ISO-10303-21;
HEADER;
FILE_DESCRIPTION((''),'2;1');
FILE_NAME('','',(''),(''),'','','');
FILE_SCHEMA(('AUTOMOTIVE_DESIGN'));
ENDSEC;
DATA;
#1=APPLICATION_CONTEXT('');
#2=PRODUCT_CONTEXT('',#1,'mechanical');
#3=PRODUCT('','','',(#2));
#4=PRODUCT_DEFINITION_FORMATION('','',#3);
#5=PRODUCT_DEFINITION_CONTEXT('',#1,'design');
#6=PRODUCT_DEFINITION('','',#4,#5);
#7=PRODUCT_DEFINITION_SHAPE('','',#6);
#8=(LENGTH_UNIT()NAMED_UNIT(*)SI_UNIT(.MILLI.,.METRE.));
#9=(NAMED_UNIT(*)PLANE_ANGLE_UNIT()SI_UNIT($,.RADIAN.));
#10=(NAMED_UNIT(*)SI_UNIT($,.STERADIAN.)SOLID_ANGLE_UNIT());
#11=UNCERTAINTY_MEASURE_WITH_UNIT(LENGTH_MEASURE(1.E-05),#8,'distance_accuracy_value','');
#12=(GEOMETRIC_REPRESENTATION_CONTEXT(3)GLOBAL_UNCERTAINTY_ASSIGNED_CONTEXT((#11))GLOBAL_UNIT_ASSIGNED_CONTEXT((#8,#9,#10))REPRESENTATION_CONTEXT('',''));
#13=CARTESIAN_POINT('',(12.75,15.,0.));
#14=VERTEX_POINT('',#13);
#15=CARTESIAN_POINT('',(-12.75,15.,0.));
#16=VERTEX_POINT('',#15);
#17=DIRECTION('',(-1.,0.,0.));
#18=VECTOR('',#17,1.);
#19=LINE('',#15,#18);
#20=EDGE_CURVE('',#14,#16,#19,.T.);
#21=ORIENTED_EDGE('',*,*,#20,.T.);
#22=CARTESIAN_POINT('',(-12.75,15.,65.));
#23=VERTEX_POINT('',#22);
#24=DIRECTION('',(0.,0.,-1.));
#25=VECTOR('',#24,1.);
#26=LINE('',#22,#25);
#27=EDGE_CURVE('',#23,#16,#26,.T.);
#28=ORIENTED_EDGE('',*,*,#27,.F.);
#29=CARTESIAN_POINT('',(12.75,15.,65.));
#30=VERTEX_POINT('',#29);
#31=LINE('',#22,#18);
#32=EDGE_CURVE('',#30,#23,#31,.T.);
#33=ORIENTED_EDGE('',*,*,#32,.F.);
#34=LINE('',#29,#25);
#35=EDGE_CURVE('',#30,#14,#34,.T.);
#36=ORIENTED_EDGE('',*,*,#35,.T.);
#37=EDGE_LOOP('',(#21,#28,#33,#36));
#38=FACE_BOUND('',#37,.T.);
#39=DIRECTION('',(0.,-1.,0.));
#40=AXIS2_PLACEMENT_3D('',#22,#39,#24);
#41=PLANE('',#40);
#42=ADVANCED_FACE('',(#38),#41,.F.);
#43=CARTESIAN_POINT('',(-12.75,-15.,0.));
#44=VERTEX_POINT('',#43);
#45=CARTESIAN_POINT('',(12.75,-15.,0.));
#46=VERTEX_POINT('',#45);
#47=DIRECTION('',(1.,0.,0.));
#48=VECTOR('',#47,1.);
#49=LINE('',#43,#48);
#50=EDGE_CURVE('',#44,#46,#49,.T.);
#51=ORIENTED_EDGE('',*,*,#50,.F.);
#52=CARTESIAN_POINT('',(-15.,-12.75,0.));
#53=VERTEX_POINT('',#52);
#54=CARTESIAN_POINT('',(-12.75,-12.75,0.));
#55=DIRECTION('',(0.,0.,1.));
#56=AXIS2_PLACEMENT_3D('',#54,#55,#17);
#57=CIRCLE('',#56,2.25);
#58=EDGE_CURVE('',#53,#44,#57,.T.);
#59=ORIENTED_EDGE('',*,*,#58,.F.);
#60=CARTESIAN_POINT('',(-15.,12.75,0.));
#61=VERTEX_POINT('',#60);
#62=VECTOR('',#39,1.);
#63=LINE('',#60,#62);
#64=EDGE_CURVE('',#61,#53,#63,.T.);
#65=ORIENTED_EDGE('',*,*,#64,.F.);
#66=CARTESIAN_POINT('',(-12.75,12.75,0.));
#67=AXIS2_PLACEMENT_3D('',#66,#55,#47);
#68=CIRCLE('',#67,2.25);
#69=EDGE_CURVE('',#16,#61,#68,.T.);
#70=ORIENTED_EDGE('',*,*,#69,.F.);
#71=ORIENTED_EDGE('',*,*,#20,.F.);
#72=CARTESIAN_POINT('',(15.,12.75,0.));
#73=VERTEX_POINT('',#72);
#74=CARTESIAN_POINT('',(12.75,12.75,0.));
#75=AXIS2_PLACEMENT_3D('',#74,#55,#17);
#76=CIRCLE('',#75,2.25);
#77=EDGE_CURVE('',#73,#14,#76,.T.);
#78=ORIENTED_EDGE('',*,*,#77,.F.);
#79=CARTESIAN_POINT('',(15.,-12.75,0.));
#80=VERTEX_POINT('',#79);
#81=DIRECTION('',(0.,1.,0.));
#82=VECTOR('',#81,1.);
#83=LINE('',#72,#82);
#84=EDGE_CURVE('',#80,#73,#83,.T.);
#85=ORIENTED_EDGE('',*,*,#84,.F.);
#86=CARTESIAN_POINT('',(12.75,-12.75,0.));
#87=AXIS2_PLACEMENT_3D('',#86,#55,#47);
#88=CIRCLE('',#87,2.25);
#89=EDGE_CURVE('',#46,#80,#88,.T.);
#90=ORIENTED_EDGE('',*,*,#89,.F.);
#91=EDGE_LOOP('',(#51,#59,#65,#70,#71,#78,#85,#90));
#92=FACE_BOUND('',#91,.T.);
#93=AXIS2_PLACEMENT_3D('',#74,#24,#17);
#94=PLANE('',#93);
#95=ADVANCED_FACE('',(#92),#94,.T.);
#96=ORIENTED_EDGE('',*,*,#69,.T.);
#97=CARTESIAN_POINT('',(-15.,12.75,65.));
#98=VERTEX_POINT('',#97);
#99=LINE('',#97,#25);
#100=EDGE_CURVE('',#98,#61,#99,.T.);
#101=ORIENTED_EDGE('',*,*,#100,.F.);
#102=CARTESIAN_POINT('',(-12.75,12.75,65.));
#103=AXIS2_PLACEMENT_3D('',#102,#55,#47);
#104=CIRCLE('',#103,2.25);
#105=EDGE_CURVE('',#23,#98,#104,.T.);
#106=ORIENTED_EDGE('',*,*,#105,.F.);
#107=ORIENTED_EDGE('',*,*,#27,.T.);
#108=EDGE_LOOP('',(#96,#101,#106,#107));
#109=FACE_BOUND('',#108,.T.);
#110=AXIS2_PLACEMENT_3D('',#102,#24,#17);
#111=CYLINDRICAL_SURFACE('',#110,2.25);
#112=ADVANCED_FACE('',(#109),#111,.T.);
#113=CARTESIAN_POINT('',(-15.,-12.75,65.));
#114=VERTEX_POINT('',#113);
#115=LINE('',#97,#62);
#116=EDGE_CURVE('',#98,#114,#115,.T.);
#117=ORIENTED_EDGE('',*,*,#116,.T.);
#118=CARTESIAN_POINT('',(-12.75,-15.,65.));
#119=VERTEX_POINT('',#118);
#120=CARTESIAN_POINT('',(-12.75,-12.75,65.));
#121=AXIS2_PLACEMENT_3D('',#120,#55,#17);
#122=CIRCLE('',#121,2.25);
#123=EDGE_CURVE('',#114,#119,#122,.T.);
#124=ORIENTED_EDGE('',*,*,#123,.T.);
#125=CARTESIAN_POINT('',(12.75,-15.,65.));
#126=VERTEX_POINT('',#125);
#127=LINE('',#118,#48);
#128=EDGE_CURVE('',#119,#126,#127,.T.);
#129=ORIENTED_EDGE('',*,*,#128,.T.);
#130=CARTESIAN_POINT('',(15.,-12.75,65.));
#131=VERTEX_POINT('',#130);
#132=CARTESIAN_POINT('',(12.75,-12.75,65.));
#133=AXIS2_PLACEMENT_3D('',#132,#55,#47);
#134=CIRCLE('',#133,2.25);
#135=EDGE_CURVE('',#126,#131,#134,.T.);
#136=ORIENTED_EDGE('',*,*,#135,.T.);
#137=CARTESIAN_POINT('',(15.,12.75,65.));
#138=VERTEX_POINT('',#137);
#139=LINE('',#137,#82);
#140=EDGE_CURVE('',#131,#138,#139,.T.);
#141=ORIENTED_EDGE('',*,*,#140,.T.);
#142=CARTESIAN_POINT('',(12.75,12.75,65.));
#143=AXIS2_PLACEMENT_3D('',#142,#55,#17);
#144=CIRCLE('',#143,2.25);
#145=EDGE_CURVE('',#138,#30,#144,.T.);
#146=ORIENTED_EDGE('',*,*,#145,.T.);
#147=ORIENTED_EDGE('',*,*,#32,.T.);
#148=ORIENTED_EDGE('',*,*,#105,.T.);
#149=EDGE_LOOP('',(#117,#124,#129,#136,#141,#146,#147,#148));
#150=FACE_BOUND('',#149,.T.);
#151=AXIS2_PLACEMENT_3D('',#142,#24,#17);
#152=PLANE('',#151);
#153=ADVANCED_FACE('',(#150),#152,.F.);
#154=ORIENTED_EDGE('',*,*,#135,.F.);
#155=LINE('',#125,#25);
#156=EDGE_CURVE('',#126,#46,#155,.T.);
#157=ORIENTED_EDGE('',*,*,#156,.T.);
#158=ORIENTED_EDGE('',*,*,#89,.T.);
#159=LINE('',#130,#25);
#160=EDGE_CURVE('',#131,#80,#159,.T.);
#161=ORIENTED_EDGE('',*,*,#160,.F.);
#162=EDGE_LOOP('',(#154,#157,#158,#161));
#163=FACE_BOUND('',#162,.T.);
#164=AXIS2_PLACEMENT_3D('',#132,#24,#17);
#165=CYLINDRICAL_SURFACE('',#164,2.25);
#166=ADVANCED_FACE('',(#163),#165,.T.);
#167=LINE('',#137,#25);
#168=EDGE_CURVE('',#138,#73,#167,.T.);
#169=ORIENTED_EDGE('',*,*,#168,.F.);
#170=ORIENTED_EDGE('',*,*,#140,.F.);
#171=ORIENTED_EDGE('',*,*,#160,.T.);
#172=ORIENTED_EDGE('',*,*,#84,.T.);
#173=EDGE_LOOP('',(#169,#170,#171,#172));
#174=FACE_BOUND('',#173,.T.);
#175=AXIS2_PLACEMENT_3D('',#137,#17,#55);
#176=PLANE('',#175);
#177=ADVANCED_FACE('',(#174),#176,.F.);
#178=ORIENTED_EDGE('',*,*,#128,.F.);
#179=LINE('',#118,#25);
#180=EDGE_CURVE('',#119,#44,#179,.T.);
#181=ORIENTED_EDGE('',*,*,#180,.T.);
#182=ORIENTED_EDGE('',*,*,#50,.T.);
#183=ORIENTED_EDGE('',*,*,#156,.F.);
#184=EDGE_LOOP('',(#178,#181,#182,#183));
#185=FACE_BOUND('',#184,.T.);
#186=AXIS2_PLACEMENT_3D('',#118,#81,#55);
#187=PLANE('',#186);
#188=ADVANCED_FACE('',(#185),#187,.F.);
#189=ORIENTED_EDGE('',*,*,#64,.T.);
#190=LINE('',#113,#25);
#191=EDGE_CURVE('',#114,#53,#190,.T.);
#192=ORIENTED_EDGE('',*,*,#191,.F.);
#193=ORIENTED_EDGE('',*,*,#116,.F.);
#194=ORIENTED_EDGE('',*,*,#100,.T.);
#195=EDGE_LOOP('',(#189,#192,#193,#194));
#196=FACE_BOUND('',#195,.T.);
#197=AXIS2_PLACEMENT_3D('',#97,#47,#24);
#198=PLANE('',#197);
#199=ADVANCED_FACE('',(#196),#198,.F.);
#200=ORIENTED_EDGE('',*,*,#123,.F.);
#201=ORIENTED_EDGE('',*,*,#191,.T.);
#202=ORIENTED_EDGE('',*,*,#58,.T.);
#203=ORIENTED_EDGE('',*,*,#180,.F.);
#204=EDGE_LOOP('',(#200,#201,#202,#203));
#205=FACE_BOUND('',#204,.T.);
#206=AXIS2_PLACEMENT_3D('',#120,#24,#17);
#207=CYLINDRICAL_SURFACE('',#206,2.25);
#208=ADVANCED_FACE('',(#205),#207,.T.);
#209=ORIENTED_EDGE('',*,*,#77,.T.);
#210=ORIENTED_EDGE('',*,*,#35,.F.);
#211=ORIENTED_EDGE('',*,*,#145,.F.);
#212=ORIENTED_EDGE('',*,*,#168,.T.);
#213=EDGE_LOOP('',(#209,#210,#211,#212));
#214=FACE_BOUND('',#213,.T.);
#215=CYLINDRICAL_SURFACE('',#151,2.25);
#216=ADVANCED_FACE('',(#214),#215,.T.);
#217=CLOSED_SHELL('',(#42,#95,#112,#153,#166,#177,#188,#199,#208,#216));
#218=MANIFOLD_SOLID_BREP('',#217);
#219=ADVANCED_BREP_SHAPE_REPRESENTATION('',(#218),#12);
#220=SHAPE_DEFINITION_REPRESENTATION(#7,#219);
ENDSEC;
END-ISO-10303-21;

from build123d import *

# Parameters (mm, degrees)
EXTRUSION1_DEPTH = 65


with BuildPart() as part:
    # Esquisse1 → Extrusion1 (new body)
    with BuildSketch(Plane.XY):
        with BuildLine():
            Line((-15, 12.75), (-15, -12.75))
            ThreePointArc((-15, -12.75), (-14.340990258, -14.340990258), (-12.75, -15))
            Line((-12.75, -15), (12.75, -15))
            ThreePointArc((12.75, -15), (14.340990258, -14.340990258), (15, -12.75))
            Line((15, -12.75), (15, 12.75))
            ThreePointArc((15, 12.75), (14.340990258, 14.340990258), (12.75, 15))
            Line((12.75, 15), (-12.75, 15))
            ThreePointArc((-12.75, 15), (-14.340990258, 14.340990258), (-15, 12.75))
        make_face()
    extrude(amount=EXTRUSION1_DEPTH)


solid = part.part
